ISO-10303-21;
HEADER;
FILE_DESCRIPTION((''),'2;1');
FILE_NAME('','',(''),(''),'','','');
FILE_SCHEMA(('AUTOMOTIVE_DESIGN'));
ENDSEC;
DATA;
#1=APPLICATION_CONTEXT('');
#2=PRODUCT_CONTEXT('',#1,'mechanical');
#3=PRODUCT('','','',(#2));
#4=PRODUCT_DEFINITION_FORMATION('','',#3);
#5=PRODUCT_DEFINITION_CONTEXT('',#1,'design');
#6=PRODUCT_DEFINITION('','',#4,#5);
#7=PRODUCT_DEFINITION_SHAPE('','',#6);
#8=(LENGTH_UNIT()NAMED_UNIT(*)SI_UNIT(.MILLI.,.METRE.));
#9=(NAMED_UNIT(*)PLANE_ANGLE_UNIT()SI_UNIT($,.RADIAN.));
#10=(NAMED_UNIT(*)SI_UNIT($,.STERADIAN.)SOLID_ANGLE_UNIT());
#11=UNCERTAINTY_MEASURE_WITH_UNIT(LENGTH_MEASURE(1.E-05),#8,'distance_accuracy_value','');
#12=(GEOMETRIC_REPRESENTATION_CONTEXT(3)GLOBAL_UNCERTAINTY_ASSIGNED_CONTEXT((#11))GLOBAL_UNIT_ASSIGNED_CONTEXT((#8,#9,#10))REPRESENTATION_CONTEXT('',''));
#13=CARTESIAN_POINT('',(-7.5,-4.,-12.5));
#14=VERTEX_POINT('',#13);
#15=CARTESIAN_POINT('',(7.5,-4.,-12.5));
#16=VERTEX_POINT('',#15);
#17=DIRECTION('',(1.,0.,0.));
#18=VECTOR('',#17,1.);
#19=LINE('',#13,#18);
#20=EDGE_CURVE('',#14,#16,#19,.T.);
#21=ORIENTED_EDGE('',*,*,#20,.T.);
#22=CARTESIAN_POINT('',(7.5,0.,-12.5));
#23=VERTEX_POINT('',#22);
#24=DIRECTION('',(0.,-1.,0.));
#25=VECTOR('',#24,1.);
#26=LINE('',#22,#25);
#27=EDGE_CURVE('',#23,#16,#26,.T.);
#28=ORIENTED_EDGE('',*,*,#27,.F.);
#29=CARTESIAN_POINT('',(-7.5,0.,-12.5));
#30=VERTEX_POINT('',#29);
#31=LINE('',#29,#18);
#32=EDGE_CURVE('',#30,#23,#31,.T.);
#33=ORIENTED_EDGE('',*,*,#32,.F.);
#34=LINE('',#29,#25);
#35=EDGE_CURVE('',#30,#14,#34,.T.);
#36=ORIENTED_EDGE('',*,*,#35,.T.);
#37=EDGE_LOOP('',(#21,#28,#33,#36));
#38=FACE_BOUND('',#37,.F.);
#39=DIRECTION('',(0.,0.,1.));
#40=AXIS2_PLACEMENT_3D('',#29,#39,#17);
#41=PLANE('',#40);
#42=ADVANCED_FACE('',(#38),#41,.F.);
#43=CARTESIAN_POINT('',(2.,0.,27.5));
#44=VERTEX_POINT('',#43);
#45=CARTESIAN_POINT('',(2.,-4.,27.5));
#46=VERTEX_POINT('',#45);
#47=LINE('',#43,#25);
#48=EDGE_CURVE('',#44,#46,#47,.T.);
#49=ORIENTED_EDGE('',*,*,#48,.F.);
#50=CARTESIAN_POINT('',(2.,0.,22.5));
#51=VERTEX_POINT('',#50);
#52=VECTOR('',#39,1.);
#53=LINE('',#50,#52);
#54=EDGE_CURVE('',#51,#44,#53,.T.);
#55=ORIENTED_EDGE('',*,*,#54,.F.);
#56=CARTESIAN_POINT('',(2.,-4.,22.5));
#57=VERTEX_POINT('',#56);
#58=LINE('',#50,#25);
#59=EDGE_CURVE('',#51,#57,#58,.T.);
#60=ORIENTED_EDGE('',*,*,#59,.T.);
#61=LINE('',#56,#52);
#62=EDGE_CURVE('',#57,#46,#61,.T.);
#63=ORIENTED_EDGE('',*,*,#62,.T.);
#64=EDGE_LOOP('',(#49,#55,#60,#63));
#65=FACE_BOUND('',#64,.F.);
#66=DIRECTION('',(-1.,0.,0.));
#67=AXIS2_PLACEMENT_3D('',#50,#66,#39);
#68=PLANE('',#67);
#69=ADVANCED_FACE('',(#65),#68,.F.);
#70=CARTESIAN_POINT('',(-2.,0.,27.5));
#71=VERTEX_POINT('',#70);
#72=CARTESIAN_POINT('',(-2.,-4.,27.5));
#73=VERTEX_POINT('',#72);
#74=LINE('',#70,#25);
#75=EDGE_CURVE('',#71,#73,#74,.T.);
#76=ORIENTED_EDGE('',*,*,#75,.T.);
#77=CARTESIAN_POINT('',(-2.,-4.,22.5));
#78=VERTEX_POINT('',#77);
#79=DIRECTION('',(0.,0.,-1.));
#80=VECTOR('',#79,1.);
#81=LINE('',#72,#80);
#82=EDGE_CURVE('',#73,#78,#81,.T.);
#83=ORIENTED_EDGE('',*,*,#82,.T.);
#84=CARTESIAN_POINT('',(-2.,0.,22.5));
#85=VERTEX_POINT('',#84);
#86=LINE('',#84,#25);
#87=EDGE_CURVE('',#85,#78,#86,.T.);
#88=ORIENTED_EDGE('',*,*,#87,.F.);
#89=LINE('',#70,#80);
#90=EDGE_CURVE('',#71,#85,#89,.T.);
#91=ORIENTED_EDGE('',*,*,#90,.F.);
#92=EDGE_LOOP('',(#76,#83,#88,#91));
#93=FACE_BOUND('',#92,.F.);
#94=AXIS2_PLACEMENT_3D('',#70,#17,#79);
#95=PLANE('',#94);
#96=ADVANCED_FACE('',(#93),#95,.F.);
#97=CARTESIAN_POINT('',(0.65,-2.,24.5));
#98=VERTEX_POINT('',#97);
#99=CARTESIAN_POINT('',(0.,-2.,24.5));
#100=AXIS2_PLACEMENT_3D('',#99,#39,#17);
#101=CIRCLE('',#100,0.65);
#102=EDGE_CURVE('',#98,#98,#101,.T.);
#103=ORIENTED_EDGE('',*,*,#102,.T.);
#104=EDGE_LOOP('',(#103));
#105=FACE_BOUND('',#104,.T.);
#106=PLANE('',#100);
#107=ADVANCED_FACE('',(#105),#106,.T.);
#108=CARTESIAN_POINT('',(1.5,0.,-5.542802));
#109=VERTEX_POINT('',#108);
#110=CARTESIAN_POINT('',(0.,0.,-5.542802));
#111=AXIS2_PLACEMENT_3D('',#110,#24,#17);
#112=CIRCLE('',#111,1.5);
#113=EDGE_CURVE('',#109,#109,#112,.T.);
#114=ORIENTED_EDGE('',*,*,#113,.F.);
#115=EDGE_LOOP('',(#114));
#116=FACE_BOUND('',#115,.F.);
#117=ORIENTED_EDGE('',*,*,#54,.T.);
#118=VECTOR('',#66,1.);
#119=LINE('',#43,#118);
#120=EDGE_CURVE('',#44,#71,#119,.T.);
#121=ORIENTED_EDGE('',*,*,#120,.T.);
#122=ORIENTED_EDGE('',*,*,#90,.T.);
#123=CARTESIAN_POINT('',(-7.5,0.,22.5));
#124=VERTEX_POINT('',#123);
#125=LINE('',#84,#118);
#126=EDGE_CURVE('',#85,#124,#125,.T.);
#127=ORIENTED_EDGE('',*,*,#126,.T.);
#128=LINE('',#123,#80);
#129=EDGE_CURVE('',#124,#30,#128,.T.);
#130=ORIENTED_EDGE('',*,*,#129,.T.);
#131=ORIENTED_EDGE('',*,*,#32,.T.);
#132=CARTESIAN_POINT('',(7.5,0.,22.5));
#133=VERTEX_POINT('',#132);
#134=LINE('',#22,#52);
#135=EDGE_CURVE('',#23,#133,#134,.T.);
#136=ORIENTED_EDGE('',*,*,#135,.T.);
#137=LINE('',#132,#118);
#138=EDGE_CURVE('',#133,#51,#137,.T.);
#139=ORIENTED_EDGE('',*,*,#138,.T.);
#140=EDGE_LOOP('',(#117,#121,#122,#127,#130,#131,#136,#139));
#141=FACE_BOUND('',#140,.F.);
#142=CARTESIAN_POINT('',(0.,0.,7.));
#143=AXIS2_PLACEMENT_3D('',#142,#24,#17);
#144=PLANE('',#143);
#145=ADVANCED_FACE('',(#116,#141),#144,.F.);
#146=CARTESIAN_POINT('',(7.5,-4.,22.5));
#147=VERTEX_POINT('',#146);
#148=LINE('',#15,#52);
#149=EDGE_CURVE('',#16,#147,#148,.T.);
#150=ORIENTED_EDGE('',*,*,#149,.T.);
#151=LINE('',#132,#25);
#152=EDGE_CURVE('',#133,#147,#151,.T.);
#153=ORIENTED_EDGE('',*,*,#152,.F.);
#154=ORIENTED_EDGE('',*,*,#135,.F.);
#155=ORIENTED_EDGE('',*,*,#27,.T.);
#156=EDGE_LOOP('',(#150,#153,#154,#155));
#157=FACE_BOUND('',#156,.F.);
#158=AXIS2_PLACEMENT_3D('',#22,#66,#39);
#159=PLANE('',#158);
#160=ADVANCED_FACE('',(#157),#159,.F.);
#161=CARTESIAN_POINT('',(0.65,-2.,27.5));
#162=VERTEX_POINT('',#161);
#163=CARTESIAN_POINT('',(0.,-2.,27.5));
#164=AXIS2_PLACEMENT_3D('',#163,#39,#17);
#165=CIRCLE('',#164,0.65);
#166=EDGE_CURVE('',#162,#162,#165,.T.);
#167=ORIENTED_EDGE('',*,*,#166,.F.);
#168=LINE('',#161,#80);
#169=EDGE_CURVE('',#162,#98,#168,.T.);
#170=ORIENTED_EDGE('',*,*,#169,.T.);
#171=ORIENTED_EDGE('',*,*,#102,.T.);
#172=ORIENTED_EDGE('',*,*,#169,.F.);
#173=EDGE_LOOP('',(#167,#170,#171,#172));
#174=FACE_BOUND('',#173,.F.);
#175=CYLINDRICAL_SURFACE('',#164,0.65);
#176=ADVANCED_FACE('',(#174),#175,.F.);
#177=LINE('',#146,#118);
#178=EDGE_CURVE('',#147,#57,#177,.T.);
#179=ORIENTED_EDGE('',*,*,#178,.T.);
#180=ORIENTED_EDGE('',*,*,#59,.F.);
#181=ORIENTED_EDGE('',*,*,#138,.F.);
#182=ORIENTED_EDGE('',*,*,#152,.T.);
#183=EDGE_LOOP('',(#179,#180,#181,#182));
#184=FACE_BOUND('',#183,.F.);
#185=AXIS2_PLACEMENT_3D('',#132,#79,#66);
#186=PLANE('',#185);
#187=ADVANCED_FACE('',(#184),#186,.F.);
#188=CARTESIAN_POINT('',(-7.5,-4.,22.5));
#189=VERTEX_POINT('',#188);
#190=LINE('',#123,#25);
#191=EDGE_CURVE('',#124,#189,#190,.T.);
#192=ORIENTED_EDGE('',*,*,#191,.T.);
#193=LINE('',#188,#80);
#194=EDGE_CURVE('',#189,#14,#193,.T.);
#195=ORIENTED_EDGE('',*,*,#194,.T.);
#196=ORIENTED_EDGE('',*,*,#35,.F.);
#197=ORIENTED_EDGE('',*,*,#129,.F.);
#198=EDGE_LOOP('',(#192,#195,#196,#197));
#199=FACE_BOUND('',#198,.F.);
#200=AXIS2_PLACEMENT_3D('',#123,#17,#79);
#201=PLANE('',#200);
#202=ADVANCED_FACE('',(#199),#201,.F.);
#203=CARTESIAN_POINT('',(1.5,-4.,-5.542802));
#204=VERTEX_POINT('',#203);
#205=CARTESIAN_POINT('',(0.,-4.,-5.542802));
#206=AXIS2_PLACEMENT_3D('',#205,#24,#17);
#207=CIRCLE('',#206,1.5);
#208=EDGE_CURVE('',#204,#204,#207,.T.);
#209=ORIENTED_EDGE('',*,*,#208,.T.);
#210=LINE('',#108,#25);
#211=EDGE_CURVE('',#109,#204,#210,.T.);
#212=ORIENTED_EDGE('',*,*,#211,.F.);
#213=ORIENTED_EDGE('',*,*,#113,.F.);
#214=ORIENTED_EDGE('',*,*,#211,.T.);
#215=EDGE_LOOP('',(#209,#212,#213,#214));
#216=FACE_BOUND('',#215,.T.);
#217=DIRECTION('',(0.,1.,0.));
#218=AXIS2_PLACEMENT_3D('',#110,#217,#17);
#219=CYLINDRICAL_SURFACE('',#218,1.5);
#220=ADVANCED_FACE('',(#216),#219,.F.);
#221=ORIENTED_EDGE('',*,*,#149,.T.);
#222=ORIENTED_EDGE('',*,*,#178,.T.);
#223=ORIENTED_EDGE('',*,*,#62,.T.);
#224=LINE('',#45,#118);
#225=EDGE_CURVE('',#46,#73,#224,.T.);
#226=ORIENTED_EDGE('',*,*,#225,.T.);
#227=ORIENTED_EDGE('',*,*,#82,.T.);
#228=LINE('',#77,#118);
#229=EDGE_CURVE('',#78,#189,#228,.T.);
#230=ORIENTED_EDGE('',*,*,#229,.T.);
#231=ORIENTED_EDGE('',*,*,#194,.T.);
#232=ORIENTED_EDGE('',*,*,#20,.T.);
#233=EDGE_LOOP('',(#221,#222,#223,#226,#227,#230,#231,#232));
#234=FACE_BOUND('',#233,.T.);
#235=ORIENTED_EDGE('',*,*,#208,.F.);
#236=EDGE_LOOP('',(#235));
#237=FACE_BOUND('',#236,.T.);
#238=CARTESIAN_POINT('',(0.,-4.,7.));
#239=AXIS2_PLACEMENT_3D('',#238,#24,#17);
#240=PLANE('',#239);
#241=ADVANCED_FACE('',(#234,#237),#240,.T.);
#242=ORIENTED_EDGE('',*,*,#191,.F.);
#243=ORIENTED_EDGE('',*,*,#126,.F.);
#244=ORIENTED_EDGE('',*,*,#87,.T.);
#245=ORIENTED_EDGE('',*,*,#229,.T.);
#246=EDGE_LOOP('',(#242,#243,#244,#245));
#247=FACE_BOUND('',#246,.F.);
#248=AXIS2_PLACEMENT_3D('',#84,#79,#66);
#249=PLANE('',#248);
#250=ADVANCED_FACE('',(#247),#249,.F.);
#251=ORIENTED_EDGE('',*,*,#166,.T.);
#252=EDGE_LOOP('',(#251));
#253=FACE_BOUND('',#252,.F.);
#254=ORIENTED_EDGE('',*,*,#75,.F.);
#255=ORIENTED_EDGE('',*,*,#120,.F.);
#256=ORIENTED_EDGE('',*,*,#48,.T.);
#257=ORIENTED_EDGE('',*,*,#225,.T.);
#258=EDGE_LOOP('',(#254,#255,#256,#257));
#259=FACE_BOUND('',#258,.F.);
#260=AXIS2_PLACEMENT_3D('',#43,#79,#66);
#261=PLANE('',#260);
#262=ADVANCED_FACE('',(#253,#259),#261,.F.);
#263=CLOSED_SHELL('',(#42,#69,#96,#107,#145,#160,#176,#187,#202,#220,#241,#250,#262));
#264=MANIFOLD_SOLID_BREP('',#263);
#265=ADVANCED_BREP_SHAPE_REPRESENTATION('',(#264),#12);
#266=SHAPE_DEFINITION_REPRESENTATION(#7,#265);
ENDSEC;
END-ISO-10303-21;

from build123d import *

# Parameters (mm, degrees)
F0_R     = 1.5
F1_DEPTH = 4
F2_DEPTH = 4
F3_R     = 0.65
F4_DEPTH = 3


with BuildPart() as f1:
    # F0 (on Front) → F1 (new body)
    with BuildSketch(Plane.XZ):
        Polygon((-7.5, -12.5), (7.5, -12.5), (7.5, 22.5), (2, 22.5), (2, 27.5), (-2, 27.5), (-2, 22.5), (-7.5, 22.5), align=None)
        with Locations((0, -5.542802)):
            Circle(F0_R, mode=Mode.SUBTRACT)
    extrude(amount=F1_DEPTH)

    # F0 (on Front) → F2 (join)
    with BuildSketch(Plane.XZ):
        Polygon((-7.5, -12.5), (7.5, -12.5), (7.5, 22.5), (2, 22.5), (2, 27.5), (-2, 27.5), (-2, 22.5), (-7.5, 22.5), align=None)
        with Locations((0, -5.542802)):
            Circle(F0_R, mode=Mode.SUBTRACT)
    extrude(amount=F2_DEPTH)

    # F3 (on face) → F4 (cut)
    with BuildSketch(Plane.XY.offset(27.5)):
        with Locations((0, -2)):
            Circle(F3_R)
    extrude(amount=-F4_DEPTH, mode=Mode.SUBTRACT)


solid = f1.part
